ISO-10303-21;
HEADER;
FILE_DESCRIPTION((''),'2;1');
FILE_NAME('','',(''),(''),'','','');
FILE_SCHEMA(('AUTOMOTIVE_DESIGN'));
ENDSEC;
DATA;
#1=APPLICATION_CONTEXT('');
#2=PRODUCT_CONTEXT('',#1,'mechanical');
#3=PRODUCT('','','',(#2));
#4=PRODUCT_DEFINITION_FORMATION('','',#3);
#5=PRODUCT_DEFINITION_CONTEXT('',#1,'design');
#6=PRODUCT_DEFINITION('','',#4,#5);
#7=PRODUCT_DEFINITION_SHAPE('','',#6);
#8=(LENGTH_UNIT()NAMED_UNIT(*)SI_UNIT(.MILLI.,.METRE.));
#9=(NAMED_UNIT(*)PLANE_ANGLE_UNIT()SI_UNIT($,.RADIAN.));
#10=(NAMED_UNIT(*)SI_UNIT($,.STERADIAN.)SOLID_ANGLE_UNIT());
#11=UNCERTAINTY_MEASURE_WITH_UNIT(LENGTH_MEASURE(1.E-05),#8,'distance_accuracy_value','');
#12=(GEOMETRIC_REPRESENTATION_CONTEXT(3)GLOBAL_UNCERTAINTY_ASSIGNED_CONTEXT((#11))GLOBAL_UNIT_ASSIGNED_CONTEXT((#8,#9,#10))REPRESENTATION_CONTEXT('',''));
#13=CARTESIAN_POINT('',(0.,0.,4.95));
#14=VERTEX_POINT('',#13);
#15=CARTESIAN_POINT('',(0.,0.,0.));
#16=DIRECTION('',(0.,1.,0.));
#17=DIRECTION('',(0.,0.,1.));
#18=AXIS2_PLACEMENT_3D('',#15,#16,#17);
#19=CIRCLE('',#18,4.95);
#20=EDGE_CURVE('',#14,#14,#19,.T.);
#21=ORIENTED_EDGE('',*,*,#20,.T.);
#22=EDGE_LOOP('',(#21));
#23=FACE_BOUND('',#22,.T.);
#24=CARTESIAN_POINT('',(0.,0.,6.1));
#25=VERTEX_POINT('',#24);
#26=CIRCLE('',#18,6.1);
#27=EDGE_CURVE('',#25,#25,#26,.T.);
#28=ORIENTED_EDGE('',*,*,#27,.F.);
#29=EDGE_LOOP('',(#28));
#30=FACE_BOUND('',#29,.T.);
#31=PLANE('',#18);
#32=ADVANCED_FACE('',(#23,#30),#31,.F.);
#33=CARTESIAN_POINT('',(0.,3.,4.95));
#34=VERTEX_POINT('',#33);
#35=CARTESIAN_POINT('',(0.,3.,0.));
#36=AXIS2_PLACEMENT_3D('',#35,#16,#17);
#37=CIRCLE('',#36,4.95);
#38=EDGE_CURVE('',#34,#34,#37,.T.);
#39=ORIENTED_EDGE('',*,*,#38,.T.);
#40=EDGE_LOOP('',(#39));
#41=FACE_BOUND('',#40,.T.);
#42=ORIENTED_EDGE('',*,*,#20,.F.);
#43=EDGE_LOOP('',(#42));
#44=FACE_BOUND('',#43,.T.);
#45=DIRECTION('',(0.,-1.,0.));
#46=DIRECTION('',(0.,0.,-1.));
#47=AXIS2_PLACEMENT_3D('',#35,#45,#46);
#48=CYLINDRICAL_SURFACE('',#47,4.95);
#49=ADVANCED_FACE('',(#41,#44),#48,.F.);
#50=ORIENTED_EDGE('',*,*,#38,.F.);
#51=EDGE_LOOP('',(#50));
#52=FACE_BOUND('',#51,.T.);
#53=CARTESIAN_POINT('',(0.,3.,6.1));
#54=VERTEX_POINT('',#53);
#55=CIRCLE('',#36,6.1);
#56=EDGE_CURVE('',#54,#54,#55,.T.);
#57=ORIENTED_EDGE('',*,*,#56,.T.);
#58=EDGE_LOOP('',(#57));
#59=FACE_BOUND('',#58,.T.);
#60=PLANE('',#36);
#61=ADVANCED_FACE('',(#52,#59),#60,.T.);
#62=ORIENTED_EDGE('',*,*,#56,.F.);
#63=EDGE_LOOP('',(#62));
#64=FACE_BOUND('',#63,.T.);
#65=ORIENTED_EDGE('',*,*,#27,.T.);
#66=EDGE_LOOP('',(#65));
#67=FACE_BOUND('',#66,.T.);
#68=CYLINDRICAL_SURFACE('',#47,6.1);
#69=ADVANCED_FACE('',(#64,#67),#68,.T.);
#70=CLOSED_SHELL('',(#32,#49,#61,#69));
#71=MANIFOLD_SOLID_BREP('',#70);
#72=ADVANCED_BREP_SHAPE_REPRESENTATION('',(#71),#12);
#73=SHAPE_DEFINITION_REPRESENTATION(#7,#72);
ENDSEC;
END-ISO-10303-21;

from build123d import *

# Parameters (mm, degrees)
ESQUISSE1_R   = 6.1
ESQUISSE1_R_2 = 4.95
SPACER_DEPTH  = 3


with BuildPart() as part:
    # Esquisse1 → Spacer (new body)
    with BuildSketch(Plane(origin=(0, 0, 0), x_dir=(1, 0, 0), z_dir=(0, 1, 0))):
        with Locations(Location((0, 0, 0), (0, 0, 270))):
            Circle(ESQUISSE1_R)
        with Locations(Location((0, 0, 0), (0, 0, 270))):
            Circle(ESQUISSE1_R_2, mode=Mode.SUBTRACT)
    extrude(amount=SPACER_DEPTH)


solid = part.part
